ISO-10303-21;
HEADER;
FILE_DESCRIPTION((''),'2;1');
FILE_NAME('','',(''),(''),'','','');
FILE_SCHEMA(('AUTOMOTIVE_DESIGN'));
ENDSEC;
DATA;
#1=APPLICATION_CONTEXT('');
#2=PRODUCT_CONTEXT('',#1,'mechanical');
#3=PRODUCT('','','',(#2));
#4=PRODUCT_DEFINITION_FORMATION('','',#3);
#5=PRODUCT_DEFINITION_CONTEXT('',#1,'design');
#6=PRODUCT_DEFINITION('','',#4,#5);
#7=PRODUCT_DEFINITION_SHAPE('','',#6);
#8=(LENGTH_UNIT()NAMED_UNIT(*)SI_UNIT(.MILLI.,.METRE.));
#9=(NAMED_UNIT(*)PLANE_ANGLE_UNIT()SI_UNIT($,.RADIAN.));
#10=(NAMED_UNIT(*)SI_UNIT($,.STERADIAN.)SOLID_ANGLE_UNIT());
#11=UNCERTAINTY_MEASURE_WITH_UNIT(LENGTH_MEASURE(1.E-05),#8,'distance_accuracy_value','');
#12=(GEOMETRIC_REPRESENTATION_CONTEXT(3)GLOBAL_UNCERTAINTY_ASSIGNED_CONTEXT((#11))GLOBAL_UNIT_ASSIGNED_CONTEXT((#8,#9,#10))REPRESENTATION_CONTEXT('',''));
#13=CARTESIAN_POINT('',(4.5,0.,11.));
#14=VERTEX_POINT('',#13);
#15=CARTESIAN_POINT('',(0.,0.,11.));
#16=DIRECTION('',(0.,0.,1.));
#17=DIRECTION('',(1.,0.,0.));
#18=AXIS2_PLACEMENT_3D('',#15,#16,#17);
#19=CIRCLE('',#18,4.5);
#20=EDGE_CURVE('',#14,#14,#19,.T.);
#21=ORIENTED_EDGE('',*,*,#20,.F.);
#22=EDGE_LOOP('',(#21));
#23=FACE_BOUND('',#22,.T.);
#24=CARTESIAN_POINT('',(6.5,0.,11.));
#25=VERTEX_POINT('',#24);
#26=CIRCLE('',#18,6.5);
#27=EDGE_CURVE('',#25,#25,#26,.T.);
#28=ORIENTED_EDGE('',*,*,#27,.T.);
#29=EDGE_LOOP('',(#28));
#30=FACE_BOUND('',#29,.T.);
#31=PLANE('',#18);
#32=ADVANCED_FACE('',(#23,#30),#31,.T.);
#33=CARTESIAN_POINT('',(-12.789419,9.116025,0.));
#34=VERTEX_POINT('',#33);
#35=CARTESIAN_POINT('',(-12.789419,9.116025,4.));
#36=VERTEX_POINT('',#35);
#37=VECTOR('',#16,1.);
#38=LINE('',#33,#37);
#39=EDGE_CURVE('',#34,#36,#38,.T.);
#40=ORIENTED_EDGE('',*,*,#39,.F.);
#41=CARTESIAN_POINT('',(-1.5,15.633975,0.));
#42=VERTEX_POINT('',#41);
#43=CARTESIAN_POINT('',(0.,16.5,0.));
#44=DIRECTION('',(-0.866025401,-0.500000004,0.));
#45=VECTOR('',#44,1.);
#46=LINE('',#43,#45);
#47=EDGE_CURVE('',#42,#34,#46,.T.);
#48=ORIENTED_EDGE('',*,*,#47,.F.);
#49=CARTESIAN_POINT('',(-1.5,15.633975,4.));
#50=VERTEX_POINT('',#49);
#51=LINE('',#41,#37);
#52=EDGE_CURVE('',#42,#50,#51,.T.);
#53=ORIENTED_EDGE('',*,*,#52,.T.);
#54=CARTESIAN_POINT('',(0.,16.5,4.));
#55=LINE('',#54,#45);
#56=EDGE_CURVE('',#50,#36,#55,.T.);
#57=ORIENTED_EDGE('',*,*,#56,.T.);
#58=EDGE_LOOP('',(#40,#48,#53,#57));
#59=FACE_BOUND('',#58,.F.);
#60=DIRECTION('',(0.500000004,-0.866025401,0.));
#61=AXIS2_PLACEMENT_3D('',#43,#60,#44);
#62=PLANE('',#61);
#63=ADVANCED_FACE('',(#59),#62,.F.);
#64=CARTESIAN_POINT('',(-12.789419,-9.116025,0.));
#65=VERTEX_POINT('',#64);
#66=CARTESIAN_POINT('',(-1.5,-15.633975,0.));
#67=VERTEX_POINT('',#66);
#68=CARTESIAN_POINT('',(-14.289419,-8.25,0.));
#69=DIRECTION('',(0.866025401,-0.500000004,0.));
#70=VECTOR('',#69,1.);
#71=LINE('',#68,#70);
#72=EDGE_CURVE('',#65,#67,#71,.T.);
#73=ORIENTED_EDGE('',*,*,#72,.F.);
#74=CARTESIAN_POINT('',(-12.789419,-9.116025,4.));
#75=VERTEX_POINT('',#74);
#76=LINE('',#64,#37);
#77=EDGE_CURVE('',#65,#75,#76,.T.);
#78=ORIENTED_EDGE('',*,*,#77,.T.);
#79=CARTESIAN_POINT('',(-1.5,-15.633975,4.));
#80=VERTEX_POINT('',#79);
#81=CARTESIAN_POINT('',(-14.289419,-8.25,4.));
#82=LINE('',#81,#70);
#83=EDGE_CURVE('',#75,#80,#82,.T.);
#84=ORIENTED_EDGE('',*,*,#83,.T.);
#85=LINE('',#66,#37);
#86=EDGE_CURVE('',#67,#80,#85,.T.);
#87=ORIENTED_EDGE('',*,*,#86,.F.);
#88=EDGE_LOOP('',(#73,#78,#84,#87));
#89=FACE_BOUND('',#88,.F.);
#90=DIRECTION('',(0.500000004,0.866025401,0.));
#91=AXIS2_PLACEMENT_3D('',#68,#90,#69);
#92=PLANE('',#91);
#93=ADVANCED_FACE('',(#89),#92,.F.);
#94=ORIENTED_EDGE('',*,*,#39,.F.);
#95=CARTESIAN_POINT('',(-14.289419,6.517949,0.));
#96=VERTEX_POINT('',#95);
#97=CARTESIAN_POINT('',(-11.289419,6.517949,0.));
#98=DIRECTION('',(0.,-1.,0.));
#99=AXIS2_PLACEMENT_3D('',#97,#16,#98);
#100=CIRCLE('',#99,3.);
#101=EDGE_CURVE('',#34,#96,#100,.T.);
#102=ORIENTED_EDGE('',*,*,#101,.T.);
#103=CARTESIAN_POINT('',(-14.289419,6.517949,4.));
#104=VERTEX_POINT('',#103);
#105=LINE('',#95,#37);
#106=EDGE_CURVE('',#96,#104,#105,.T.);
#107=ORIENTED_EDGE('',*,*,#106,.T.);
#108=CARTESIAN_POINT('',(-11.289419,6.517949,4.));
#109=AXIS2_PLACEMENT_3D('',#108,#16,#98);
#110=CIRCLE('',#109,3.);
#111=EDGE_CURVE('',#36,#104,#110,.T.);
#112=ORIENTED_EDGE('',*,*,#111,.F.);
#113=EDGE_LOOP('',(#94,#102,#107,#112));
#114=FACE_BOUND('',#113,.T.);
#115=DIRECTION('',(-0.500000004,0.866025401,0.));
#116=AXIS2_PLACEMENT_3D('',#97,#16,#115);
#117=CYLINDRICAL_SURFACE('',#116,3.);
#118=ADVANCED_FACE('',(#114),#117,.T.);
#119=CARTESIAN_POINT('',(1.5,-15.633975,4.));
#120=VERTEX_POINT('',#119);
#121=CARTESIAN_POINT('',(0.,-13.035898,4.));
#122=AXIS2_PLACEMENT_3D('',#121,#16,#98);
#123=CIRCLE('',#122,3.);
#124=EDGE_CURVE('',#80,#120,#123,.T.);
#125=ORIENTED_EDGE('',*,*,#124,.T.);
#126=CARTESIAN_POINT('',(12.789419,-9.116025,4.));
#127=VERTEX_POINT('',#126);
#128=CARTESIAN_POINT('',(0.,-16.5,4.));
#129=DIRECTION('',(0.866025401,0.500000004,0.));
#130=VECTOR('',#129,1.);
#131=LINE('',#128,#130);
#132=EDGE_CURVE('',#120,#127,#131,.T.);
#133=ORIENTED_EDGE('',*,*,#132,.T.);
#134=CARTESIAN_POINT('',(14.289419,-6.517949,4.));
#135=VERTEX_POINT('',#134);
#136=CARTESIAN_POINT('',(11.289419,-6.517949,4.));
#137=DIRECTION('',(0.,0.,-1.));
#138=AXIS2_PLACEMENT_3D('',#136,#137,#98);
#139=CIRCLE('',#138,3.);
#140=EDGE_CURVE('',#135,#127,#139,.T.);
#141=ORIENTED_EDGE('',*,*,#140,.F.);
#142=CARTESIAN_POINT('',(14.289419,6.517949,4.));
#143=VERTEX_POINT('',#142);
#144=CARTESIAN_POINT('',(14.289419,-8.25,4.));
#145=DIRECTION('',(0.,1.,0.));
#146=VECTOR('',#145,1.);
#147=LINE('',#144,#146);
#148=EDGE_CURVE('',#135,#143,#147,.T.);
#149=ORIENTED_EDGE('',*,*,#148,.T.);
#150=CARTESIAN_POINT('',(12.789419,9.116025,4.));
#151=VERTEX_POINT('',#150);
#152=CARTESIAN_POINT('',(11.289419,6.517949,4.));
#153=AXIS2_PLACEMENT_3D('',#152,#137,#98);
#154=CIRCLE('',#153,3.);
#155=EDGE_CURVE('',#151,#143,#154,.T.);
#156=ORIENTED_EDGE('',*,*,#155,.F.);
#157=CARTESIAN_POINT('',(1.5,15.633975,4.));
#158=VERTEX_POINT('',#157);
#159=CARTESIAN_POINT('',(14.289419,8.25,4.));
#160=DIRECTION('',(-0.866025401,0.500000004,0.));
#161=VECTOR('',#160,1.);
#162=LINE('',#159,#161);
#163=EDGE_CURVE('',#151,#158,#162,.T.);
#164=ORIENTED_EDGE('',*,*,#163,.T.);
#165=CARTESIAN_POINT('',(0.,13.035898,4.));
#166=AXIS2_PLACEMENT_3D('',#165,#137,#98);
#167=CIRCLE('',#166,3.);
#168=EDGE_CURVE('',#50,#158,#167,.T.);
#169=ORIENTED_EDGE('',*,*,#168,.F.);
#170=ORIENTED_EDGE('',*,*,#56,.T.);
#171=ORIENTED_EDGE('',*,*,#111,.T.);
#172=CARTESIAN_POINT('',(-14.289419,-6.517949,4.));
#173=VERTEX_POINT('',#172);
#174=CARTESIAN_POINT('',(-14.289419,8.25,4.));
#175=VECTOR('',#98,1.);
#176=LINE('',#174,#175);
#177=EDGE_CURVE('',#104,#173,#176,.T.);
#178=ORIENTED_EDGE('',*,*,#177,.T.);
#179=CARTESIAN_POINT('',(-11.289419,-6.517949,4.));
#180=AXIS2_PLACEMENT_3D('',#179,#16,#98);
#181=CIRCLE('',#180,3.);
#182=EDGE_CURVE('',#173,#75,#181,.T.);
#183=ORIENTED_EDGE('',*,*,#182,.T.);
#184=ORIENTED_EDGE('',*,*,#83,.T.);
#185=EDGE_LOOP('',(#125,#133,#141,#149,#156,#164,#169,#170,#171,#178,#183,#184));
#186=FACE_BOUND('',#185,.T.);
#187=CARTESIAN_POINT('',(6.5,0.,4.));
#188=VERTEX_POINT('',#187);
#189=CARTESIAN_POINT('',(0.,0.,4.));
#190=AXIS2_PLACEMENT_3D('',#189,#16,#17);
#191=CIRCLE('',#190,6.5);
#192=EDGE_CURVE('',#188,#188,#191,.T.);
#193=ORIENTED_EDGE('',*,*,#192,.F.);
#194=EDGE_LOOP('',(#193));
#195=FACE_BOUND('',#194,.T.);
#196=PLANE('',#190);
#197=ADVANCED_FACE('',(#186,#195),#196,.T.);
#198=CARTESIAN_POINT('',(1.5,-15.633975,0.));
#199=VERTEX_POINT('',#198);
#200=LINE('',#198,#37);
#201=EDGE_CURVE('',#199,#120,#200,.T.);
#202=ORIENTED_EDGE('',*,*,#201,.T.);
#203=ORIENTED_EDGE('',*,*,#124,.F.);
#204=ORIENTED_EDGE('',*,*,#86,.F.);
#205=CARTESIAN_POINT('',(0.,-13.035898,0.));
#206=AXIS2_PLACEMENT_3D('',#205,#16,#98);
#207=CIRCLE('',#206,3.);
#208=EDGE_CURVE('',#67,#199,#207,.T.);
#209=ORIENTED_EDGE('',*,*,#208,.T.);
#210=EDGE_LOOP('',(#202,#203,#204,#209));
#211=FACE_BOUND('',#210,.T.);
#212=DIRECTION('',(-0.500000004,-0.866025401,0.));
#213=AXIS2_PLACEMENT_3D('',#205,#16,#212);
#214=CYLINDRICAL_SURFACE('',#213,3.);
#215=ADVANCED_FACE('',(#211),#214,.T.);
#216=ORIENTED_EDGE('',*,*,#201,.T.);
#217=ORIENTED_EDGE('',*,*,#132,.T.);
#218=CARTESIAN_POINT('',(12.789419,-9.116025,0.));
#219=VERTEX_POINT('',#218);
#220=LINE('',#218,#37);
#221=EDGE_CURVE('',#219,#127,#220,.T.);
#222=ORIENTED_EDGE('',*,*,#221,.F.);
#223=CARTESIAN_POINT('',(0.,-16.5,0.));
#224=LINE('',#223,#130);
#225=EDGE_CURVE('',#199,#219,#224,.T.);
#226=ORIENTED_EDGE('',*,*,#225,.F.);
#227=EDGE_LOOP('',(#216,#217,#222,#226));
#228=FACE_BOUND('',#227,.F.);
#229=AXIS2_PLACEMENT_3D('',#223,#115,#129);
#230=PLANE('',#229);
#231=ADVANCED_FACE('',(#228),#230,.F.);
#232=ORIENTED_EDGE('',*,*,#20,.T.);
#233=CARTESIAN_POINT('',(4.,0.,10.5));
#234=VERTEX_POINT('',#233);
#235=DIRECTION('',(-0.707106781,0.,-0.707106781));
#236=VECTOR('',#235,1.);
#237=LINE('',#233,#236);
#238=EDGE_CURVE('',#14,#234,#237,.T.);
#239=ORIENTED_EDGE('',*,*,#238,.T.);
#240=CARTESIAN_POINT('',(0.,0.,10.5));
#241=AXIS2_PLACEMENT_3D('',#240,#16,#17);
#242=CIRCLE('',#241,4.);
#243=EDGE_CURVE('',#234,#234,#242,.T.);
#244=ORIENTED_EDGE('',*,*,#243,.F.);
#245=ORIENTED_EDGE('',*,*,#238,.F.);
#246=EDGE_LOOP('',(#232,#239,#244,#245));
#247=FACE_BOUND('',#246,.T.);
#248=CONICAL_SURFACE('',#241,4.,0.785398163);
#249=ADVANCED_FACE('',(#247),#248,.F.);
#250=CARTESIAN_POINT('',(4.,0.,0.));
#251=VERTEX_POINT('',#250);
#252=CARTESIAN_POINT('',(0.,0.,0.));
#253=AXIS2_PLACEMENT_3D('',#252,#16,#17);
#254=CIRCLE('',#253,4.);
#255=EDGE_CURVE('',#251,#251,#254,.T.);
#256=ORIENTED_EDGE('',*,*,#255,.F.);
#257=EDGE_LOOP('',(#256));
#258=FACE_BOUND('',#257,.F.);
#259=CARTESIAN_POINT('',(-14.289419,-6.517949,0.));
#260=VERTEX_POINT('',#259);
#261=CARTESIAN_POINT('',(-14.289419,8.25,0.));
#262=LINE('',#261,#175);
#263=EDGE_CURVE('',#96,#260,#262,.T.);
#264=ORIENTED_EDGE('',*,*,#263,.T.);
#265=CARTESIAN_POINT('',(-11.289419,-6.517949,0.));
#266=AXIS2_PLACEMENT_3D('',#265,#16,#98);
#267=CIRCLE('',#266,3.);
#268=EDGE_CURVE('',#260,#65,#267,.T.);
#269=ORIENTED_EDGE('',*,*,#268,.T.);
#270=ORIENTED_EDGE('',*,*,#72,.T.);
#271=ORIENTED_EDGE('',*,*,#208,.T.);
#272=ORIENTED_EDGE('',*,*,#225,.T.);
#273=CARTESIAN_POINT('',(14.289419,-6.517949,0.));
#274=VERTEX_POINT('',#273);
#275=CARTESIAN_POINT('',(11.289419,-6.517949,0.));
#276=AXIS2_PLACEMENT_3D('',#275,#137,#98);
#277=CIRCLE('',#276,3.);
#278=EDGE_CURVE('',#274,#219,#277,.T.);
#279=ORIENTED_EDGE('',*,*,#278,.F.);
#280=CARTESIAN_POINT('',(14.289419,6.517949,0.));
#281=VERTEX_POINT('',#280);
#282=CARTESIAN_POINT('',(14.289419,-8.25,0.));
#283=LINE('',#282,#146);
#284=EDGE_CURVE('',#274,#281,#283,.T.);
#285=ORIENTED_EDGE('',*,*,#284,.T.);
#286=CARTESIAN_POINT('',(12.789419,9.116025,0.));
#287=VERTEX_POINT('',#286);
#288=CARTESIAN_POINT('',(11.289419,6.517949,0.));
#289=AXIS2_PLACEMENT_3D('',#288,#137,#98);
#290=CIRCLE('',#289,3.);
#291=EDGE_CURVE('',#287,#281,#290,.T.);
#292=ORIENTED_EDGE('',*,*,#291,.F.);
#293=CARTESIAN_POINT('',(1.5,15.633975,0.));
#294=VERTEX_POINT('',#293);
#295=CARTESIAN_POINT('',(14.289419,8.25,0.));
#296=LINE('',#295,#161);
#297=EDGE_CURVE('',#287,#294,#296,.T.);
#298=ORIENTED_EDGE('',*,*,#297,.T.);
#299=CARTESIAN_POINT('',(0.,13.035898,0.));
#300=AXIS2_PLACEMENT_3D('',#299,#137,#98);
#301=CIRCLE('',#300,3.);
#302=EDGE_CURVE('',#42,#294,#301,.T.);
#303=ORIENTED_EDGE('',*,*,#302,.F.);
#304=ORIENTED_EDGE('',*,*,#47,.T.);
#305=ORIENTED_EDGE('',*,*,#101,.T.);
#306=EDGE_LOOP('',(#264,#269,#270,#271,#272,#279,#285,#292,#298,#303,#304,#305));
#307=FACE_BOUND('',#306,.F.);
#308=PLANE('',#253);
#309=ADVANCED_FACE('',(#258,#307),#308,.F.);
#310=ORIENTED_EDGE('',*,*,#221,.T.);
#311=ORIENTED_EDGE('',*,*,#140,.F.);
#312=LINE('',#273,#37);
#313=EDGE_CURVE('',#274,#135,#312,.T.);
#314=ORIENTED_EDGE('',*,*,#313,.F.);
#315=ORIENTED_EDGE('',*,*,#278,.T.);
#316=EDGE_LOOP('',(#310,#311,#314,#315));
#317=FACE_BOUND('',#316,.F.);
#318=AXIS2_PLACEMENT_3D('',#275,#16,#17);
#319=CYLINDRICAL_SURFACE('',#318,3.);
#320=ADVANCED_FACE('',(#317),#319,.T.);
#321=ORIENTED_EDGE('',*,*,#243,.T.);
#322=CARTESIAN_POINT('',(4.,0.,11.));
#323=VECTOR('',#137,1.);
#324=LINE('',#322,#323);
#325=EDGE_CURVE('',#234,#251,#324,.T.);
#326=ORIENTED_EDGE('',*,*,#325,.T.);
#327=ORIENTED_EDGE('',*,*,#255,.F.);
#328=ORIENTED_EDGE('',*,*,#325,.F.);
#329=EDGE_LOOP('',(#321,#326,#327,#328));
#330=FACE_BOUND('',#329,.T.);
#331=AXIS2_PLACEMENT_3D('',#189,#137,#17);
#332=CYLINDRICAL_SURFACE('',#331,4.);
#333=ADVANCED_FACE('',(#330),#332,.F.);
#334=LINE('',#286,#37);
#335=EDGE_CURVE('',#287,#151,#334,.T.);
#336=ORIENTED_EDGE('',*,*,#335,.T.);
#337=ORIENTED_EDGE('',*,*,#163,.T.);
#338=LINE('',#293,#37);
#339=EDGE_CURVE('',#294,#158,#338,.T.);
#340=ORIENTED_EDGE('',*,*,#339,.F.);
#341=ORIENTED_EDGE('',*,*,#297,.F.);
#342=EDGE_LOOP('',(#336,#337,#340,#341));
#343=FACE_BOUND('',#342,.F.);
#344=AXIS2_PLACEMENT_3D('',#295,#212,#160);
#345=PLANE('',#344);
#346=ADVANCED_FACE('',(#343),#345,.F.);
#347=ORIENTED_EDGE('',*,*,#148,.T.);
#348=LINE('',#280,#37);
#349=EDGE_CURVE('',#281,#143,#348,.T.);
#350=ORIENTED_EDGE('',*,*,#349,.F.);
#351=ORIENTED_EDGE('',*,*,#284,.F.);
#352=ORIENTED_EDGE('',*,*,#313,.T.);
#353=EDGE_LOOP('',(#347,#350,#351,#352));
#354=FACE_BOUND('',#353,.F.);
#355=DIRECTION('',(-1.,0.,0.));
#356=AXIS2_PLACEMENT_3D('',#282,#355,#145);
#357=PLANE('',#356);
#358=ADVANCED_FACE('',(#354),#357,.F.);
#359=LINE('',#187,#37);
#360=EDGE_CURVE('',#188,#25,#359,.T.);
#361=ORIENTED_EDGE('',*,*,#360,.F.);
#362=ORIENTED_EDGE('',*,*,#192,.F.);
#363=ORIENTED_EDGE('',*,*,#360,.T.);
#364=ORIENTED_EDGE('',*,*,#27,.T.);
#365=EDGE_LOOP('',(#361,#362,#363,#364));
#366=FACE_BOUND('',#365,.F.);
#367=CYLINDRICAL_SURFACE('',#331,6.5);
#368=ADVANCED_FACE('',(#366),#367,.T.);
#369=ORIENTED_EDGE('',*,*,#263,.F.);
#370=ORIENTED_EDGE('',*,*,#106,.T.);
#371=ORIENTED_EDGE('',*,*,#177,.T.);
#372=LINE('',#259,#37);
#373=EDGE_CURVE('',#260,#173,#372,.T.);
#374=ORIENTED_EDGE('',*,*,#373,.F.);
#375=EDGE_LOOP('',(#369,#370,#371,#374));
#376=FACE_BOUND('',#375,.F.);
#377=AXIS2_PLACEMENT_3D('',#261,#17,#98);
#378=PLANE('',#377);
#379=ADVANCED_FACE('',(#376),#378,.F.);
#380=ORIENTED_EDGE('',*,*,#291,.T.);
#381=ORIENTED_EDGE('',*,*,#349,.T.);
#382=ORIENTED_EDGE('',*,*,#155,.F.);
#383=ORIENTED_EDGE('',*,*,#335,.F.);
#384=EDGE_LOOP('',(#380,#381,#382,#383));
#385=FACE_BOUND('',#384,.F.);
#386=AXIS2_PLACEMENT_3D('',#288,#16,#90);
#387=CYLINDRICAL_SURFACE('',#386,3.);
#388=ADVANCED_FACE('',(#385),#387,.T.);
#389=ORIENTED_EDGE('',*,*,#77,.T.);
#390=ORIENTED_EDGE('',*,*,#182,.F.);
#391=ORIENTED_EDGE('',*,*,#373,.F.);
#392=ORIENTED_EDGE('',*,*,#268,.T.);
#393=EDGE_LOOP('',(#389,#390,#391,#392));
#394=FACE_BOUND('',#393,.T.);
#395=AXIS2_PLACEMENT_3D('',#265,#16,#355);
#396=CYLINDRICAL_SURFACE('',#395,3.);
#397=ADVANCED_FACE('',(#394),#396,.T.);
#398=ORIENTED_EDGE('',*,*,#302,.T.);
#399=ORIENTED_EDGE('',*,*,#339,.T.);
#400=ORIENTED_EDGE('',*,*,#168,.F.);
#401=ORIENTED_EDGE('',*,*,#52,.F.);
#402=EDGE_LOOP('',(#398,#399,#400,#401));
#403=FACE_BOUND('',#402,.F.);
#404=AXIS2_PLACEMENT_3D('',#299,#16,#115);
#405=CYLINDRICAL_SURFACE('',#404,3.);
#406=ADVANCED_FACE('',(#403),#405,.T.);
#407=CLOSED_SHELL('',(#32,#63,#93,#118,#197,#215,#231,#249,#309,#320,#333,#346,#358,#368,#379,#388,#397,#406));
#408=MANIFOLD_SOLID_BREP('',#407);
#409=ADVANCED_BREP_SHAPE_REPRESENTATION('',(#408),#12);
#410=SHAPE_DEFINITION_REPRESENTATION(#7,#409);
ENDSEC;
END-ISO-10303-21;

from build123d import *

# Parameters (mm, degrees)
SKETCH_R      = 4
PAD_DEPTH     = 4
SKETCH001_R   = 6.5
SKETCH001_R_2 = 4
PAD001_DEPTH  = 7
CHAMFER_SIZE  = 0.5
FILLET_R      = 3


with BuildPart() as part:
    # Sketch → Pad (new body)
    with BuildSketch(Plane.XY):
        Polygon((0, 16.5), (-14.289419, 8.25), (-14.289419, -8.25), (0, -16.5), (14.289419, -8.25), (14.289419, 8.25), align=None)
        Circle(SKETCH_R, mode=Mode.SUBTRACT)
    extrude(amount=PAD_DEPTH)

    # Sketch001 (on Face9 of Pad) → Pad001 (join)
    with BuildSketch(Plane.XY.offset(4)):
        Circle(SKETCH001_R)
        Circle(SKETCH001_R_2, mode=Mode.SUBTRACT)
    extrude(amount=PAD001_DEPTH)

    # Chamfer
    chamfer_edges = [part.edges().sort_by_distance(p)[0] for p in [
        (-4, 0, 11),
    ]]
    chamfer(chamfer_edges, length=CHAMFER_SIZE)

    # Fillet
    fillet_edges = [part.edges().sort_by_distance(p)[0] for p in [
        (0, -16.5, 2),
        (14.289419, -8.25, 2),
        (14.289419, 8.25, 2),
        (-14.289419, -8.25, 2),
        (-14.289419, 8.25, 2),
        (0, 16.5, 2),
    ]]
    fillet(fillet_edges, radius=FILLET_R)


solid = part.part
